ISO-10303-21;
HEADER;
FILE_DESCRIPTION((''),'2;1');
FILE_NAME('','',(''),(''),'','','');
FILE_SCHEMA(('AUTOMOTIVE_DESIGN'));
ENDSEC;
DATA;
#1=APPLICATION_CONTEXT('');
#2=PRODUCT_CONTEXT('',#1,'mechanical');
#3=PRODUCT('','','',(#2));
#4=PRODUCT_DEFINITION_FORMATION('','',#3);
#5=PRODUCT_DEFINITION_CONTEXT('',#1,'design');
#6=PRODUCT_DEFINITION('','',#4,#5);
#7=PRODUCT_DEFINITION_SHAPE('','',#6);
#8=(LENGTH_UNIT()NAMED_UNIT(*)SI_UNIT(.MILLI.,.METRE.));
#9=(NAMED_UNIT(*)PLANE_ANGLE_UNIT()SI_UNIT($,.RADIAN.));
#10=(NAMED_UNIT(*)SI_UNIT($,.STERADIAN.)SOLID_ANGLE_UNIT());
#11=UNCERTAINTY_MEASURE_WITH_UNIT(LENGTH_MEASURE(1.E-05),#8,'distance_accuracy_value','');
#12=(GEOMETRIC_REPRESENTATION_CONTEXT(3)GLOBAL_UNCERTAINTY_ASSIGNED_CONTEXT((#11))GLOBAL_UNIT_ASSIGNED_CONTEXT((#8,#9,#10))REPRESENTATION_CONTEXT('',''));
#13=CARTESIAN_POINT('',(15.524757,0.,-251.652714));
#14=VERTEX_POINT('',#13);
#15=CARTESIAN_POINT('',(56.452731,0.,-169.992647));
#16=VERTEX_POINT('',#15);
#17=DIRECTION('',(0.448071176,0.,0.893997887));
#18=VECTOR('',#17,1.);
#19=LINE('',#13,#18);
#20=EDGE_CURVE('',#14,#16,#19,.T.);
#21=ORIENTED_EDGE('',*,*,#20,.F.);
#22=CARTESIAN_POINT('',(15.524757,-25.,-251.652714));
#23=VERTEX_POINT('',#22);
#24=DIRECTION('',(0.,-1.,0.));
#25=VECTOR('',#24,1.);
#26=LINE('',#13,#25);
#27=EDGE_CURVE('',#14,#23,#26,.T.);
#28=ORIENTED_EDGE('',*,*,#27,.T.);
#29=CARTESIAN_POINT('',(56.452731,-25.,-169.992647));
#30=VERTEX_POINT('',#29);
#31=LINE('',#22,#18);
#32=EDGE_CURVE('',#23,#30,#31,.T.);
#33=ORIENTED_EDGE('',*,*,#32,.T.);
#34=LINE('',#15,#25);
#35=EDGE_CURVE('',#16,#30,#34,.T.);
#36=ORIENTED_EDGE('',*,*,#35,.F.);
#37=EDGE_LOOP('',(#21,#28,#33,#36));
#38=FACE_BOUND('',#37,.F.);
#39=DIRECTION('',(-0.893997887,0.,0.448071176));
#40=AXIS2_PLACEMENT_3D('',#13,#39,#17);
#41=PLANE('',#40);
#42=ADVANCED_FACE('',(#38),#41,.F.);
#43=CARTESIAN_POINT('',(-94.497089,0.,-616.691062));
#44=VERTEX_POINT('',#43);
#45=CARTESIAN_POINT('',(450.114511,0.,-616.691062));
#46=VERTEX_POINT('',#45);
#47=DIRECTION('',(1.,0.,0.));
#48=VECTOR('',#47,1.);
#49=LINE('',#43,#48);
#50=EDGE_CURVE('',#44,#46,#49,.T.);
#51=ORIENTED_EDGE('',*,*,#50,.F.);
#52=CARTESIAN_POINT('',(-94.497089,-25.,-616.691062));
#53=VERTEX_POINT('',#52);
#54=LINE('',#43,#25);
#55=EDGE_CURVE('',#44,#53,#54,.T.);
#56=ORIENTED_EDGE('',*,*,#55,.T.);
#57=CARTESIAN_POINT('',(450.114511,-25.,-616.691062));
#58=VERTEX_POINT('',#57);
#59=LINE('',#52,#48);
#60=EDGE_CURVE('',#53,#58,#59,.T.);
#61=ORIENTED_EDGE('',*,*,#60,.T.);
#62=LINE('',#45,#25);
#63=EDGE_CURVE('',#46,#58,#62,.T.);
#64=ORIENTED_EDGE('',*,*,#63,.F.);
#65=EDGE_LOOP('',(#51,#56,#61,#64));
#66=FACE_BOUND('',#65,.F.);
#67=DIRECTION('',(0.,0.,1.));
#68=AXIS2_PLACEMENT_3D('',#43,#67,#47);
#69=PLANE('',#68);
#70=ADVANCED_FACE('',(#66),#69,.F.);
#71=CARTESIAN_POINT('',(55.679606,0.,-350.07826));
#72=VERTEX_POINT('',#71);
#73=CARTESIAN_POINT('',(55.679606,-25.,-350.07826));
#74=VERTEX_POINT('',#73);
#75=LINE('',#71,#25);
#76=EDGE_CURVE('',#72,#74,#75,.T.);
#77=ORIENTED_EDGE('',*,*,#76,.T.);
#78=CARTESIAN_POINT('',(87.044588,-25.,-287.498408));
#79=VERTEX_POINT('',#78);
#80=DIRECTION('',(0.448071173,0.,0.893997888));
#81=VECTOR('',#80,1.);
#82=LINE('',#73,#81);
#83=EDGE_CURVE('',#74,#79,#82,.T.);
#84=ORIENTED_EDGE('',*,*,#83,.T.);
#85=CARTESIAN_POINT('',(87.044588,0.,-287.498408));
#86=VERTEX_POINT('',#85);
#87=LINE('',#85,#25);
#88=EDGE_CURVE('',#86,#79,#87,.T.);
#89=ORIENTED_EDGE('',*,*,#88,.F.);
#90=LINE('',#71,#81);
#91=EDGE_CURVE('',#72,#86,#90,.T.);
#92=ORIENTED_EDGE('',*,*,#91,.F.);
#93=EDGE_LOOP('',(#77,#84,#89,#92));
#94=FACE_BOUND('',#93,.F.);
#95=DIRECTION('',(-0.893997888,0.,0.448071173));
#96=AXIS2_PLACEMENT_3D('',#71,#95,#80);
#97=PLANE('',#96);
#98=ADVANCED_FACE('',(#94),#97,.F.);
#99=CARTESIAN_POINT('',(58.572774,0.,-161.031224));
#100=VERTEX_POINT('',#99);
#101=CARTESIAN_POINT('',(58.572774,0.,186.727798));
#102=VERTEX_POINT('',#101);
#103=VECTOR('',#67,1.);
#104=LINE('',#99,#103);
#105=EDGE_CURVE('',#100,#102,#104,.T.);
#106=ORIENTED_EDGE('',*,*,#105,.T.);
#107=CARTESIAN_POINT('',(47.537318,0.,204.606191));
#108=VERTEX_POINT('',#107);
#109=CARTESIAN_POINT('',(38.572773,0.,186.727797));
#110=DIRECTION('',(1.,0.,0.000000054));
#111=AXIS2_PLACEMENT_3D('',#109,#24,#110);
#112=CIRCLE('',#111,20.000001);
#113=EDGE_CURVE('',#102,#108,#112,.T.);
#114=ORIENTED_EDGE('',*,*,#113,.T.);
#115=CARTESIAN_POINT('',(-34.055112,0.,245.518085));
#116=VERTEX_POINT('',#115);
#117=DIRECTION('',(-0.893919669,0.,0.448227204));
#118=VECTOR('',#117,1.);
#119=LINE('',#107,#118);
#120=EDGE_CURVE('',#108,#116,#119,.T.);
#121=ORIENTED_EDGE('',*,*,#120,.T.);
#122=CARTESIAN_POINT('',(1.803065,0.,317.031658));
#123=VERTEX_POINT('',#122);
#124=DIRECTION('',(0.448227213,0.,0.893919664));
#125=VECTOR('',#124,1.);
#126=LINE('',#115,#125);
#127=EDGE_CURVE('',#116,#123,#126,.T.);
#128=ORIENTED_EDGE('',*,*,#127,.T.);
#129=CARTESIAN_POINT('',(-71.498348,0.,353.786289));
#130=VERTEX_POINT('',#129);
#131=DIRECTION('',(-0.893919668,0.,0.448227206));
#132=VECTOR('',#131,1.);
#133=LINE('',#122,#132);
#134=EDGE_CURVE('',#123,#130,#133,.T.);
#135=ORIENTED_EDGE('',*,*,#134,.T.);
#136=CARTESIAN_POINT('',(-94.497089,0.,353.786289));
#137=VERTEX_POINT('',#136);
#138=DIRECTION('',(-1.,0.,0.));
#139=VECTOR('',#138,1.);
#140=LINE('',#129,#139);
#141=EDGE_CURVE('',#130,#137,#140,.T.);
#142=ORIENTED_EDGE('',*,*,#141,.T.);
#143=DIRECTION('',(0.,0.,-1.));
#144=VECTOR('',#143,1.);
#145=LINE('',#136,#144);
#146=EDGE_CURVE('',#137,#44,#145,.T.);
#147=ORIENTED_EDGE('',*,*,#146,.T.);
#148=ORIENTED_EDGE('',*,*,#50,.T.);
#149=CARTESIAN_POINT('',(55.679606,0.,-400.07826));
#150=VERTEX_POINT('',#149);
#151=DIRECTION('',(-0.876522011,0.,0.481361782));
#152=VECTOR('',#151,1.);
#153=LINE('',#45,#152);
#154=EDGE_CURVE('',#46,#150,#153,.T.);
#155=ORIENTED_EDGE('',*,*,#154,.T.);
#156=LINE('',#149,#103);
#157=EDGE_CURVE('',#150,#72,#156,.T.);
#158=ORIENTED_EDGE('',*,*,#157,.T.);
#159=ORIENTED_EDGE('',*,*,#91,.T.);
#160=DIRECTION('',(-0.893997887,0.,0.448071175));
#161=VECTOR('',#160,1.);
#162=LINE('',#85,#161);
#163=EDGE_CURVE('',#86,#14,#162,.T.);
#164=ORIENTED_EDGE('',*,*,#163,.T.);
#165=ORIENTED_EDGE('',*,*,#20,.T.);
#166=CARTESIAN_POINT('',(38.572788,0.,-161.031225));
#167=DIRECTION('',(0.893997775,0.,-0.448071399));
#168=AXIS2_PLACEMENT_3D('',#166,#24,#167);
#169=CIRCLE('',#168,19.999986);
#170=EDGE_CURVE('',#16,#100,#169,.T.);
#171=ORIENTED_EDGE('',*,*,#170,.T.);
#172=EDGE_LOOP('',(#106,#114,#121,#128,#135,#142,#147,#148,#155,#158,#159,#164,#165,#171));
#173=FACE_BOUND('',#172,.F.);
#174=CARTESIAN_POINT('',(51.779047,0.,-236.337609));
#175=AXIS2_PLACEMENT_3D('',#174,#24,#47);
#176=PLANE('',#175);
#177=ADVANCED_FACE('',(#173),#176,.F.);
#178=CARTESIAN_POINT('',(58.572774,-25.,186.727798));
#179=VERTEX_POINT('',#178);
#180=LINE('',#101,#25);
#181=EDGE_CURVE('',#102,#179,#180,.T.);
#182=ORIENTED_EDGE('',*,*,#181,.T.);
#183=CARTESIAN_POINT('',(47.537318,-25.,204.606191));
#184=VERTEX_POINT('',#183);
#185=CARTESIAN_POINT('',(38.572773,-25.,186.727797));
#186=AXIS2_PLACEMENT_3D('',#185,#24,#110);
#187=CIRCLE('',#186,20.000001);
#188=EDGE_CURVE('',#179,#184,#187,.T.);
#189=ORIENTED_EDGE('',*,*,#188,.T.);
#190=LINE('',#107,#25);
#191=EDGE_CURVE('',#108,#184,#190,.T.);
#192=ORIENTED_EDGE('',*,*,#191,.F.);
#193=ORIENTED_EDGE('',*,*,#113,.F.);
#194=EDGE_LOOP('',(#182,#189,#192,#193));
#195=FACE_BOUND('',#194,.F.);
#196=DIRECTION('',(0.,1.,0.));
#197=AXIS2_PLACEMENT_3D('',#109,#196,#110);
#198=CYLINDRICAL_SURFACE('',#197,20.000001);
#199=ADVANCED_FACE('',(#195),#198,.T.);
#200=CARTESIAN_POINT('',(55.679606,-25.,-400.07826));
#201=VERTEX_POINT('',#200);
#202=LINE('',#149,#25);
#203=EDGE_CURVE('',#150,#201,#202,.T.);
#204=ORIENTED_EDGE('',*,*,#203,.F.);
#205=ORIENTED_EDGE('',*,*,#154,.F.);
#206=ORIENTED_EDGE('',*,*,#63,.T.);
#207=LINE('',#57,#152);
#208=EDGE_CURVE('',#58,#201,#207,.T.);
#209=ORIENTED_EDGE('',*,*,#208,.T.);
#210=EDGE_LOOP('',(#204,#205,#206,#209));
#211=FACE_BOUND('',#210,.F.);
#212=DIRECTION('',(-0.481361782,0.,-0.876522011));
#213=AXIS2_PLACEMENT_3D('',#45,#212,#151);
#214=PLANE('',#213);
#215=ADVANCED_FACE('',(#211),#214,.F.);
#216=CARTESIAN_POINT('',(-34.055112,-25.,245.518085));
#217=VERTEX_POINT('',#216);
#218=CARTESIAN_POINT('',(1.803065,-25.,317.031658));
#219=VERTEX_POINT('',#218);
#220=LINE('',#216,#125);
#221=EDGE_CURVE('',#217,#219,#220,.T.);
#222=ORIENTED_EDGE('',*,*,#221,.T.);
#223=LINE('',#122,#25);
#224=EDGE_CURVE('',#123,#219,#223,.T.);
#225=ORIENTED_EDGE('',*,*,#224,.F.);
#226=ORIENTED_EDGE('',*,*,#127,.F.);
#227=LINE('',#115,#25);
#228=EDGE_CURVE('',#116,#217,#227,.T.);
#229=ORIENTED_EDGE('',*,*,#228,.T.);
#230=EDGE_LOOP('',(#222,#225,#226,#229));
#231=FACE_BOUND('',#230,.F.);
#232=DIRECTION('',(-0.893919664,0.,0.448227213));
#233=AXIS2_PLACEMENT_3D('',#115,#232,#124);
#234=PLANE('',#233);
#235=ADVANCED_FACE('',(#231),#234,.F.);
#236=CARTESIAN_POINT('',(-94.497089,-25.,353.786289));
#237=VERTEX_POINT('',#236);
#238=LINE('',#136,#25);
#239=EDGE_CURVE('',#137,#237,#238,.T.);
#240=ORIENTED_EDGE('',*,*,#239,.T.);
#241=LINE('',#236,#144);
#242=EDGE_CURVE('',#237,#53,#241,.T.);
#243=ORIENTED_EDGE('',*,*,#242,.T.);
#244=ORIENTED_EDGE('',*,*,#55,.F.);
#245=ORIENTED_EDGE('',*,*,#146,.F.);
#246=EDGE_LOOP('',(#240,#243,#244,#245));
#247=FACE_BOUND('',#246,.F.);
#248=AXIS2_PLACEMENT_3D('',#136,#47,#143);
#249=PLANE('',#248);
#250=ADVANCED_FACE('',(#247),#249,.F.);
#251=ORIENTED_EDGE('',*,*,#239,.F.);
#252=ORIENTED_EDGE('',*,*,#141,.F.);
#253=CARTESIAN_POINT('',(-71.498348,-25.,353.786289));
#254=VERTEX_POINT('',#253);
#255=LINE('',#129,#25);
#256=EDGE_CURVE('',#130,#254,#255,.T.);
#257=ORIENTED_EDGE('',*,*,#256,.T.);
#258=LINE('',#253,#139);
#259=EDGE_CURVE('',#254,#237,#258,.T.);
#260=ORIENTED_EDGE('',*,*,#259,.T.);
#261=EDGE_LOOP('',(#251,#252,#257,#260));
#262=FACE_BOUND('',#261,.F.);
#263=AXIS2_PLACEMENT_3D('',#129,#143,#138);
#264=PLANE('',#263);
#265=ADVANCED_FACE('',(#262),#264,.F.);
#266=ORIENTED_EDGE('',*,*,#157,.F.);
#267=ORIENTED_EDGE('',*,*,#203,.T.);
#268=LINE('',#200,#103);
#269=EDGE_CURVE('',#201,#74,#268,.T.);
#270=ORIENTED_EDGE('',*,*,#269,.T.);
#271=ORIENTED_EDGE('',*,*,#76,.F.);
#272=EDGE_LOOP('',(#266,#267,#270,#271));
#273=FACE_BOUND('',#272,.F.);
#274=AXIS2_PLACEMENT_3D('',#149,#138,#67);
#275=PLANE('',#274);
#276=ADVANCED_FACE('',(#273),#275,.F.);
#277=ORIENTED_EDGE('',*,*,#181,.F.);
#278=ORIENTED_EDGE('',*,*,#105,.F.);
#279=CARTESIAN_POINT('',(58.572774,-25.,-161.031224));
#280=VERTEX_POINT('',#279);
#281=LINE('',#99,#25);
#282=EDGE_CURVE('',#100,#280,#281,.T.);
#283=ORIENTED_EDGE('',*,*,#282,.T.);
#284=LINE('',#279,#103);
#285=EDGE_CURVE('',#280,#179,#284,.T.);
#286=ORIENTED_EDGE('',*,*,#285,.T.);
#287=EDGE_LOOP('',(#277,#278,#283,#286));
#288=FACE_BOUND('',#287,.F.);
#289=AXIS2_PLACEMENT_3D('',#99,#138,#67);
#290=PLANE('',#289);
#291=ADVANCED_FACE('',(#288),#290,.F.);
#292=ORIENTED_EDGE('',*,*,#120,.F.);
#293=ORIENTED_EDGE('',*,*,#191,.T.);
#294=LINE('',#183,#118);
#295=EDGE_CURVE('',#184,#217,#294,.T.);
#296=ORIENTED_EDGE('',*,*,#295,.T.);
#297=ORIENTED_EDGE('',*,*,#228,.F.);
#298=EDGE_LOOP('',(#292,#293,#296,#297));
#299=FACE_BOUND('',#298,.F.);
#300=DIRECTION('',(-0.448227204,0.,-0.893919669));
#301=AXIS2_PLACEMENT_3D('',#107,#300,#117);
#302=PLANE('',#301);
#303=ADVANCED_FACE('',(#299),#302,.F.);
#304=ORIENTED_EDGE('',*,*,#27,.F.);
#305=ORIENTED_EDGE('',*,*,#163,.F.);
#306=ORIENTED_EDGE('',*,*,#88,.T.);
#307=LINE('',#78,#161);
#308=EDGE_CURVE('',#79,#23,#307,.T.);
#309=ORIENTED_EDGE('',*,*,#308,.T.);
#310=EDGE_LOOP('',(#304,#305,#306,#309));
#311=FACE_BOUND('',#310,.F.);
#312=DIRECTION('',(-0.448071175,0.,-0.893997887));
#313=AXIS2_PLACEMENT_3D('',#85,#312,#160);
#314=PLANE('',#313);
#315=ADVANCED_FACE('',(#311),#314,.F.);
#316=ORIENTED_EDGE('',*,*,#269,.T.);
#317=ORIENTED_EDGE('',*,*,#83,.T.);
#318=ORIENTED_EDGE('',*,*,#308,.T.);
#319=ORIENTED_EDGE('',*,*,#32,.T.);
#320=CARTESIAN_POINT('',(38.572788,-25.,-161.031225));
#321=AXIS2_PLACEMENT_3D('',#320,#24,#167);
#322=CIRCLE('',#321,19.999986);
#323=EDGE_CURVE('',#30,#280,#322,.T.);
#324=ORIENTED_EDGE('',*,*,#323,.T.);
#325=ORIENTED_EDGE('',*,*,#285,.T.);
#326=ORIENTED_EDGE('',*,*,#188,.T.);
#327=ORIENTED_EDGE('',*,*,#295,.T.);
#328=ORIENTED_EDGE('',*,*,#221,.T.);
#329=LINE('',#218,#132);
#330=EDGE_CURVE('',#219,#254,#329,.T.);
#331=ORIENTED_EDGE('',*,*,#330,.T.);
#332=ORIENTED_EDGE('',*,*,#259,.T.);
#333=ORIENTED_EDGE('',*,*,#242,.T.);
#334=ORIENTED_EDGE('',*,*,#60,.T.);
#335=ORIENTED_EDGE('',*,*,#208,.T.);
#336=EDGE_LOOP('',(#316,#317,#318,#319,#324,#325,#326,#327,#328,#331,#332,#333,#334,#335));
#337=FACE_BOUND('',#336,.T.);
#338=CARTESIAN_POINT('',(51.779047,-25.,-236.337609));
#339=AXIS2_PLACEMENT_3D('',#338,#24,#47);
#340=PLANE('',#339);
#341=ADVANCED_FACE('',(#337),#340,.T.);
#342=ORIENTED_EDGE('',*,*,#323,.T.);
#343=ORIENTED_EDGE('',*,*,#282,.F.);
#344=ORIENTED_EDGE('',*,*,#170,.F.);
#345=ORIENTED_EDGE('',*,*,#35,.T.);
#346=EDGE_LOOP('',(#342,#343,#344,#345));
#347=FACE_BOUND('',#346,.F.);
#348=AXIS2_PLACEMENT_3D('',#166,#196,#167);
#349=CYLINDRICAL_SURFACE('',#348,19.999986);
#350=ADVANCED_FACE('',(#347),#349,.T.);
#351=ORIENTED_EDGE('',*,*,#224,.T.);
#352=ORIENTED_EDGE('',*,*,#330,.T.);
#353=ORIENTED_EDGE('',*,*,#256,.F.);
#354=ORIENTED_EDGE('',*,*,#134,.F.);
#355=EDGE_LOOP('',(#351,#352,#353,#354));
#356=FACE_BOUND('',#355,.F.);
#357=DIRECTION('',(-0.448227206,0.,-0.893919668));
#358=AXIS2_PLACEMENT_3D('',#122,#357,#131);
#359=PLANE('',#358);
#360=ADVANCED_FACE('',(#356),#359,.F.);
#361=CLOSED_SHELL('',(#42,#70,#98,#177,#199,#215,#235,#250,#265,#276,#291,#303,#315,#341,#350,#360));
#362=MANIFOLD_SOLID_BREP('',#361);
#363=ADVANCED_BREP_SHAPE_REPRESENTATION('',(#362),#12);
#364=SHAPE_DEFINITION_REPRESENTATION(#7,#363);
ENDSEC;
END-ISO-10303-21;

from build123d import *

# Parameters (mm, degrees)
F1_DEPTH = 25


with BuildPart() as f1:
    # F0 (on Front) → F1 (new body)
    with BuildSketch(Plane.XZ):
        with BuildLine():
            Line((-94.497089, -616.691062), (450.114511, -616.691062))
            Line((450.114511, -616.691062), (55.679606, -400.07826))
            Line((55.679606, -400.07826), (55.679606, -350.07826))
            Line((55.679606, -350.07826), (87.044588, -287.498408))
            Line((87.044588, -287.498408), (15.524757, -251.652714))
            Line((15.524757, -251.652714), (56.452731, -169.992647))
            ThreePointArc((56.452731, -169.992647), (58.035548, -165.635616), (58.572774, -161.031224))
            Line((58.572774, -161.031224), (58.572774, 186.727798))
            ThreePointArc((58.572774, 186.727798), (55.591747, 197.232775), (47.537318, 204.606191))
            Line((47.537318, 204.606191), (-34.055112, 245.518085))
            Line((-34.055112, 245.518085), (1.803065, 317.031658))
            Line((1.803065, 317.031658), (-71.498348, 353.786289))
            Line((-71.498348, 353.786289), (-94.497089, 353.786289))
            Line((-94.497089, 353.786289), (-94.497089, -616.691062))
        make_face()
    extrude(amount=F1_DEPTH)


solid = f1.part
